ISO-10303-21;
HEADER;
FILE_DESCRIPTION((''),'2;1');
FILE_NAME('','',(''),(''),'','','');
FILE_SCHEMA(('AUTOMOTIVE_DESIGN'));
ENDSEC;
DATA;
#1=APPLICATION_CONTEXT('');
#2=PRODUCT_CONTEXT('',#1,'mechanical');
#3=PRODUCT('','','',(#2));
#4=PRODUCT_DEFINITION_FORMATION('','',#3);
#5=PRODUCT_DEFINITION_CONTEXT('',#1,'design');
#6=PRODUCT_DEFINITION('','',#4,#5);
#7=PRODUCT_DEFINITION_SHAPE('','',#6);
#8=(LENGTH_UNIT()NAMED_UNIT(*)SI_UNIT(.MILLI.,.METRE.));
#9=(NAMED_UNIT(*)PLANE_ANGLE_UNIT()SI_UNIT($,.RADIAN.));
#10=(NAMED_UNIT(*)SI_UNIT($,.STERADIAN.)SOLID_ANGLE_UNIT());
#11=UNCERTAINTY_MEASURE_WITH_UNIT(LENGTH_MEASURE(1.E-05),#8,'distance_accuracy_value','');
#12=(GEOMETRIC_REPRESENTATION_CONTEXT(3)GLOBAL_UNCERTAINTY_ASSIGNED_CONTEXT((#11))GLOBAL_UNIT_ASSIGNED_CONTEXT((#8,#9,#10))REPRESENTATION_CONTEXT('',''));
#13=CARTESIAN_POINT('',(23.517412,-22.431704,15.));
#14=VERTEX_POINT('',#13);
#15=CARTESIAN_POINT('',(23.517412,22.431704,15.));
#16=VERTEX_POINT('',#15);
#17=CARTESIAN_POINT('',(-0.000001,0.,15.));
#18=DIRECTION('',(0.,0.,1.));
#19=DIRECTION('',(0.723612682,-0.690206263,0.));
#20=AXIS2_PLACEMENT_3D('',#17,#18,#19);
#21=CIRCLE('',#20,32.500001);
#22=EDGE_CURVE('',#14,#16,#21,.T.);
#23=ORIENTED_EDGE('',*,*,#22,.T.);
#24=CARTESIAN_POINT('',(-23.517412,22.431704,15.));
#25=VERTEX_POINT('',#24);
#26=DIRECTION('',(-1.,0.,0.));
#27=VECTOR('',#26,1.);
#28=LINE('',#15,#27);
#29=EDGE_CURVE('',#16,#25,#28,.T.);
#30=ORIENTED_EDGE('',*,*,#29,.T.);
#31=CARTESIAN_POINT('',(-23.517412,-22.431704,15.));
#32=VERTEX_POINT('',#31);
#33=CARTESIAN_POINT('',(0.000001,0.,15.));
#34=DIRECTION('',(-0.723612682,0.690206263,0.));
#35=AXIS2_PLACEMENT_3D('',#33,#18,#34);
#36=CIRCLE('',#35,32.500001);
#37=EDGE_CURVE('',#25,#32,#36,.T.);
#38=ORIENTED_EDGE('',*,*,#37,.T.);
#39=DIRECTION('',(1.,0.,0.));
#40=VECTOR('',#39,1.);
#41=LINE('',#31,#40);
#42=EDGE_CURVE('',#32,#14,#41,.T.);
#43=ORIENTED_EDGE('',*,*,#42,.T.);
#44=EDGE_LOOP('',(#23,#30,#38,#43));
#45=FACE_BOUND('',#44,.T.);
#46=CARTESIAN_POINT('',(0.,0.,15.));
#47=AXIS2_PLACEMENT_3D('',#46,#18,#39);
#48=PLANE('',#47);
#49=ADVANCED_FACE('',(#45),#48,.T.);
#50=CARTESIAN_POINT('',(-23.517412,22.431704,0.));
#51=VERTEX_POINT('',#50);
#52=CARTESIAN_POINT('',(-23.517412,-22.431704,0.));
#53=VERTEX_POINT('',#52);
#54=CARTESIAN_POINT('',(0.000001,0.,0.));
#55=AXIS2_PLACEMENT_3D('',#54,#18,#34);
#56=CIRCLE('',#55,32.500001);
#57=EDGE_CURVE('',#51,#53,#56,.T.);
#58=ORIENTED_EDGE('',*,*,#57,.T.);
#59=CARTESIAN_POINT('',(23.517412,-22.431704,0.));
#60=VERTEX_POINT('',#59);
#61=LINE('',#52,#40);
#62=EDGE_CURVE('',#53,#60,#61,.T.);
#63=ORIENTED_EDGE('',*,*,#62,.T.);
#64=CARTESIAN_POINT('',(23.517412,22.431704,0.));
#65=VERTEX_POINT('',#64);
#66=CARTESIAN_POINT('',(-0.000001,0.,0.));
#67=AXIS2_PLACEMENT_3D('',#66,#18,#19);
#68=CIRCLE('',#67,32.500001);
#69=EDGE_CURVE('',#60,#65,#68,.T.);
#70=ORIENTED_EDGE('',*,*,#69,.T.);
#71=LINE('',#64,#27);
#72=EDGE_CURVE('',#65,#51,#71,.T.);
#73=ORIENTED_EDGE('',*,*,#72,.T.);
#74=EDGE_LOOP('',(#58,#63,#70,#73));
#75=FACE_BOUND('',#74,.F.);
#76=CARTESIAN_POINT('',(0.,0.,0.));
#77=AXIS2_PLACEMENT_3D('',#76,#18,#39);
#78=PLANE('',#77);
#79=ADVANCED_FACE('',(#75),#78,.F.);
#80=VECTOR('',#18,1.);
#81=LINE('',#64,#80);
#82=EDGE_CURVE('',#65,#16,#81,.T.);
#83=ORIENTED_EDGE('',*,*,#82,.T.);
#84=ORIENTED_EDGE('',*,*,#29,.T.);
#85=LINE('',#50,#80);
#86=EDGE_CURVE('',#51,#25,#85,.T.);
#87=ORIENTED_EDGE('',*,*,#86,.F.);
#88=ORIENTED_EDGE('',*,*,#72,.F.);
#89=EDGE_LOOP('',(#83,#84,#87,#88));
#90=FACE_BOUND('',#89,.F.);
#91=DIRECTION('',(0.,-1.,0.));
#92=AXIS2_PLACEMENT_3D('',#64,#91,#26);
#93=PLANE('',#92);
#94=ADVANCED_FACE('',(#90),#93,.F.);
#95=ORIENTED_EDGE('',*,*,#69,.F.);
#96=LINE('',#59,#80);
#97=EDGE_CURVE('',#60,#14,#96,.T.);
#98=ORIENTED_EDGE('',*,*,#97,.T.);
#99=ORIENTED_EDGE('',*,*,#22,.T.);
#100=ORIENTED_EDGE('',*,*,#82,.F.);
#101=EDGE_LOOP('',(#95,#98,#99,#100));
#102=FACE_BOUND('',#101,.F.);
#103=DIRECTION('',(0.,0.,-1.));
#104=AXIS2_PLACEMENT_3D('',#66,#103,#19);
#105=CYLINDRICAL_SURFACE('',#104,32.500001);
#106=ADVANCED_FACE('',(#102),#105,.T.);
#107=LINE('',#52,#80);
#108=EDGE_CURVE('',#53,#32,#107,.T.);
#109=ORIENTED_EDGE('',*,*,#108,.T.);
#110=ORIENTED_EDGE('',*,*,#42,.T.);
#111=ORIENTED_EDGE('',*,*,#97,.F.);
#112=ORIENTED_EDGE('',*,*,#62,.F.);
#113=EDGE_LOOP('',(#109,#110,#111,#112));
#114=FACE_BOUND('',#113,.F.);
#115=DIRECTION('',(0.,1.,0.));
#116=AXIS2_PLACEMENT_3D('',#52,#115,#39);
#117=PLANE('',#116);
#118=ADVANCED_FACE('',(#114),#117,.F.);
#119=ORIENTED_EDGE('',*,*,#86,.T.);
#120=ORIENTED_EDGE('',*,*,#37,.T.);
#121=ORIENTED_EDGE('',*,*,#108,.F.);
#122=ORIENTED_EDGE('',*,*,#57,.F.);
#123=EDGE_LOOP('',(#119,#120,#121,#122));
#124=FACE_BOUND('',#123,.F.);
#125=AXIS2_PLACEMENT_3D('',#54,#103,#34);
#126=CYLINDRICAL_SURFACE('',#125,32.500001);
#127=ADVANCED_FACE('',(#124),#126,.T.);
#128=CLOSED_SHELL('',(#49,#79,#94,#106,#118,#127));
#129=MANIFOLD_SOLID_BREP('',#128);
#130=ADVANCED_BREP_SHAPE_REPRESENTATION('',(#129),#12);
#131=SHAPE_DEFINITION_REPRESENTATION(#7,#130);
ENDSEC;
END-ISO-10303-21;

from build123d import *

# Parameters (mm, degrees)
F1_DEPTH = 10
F3_DEPTH = 15


with BuildPart() as f1:
    # F0 (on Top) → F1 (new body)
    with BuildSketch(Plane.XY):
        with BuildLine():
            Line((24.415891, 17.431704), (-24.415891, 17.431704))
            ThreePointArc((-24.415891, 17.431704), (-30, 0), (-24.415891, -17.431704))
            Line((-24.415891, -17.431704), (24.415891, -17.431704))
            ThreePointArc((24.415891, -17.431704), (30, 0), (24.415891, 17.431704))
        make_face()
    extrude(amount=F1_DEPTH)

    # F2 (on Top) → F3 (join)
    with BuildSketch(Plane.XY):
        with BuildLine():
            Line((-23.517412, -22.431704), (23.517412, -22.431704))
            ThreePointArc((23.517412, -22.431704), (32.5, 0), (23.517412, 22.431704))
            Line((23.517412, 22.431704), (-23.517412, 22.431704))
            ThreePointArc((-23.517412, 22.431704), (-32.5, 0), (-23.517412, -22.431704))
        make_face()
    extrude(amount=F3_DEPTH)


solid = f1.part
